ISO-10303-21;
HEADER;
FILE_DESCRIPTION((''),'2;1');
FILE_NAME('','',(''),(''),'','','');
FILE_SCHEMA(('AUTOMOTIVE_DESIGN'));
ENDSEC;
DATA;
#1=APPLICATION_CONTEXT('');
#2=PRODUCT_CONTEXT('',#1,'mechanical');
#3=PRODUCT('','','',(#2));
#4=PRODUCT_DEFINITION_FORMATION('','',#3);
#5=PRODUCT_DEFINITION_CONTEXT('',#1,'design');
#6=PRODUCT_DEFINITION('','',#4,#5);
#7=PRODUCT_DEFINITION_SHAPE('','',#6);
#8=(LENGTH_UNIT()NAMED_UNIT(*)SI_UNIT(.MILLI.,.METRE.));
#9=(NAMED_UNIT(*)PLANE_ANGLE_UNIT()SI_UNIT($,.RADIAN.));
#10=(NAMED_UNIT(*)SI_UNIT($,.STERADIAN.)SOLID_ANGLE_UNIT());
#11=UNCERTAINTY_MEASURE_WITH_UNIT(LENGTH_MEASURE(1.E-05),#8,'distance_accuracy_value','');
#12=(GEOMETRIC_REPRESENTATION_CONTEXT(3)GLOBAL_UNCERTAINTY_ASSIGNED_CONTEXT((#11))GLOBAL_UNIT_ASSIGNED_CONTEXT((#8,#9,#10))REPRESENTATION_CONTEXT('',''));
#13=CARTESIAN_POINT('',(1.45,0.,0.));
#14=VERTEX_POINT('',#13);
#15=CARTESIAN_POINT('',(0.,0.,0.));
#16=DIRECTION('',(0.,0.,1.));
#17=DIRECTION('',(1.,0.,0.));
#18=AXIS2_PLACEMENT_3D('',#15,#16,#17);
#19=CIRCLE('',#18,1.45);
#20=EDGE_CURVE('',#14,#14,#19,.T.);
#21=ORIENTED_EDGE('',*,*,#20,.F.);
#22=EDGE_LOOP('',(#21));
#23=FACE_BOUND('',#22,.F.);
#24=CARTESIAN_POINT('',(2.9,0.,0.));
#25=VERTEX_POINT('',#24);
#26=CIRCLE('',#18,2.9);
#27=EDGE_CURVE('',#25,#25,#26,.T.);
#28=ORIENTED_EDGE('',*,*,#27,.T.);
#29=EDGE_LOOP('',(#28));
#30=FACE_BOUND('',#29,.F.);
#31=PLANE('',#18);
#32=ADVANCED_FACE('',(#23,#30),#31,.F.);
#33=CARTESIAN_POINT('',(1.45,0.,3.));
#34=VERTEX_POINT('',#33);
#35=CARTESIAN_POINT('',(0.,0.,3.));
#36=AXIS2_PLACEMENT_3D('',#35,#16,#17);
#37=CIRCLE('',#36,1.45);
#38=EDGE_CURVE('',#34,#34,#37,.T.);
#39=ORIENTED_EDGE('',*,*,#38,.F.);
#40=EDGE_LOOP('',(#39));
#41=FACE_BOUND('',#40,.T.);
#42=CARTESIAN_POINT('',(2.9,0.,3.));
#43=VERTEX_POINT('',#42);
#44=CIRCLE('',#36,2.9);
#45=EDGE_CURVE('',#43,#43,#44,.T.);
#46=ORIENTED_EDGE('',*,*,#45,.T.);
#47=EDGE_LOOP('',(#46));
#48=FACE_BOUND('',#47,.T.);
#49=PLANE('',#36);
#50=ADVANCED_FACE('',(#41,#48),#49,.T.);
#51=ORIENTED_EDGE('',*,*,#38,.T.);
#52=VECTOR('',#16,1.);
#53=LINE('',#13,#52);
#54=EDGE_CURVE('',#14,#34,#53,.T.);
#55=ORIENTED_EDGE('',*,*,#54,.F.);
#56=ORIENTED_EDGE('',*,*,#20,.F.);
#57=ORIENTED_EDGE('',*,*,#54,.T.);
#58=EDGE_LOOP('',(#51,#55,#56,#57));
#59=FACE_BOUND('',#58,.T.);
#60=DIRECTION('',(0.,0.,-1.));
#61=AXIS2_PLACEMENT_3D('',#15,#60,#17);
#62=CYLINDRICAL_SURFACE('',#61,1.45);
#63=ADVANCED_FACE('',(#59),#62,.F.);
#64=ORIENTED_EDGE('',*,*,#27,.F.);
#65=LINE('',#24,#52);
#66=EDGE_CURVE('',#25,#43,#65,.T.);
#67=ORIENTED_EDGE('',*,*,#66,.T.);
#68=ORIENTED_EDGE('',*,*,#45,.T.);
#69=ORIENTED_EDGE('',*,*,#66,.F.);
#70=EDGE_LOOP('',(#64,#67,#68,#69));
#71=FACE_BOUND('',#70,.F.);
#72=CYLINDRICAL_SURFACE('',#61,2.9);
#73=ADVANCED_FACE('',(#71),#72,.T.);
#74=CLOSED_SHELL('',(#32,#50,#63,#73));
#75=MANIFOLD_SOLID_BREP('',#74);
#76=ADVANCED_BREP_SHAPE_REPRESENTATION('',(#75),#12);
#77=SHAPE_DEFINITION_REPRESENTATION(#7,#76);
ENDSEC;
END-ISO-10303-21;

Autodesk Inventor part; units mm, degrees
ref_plane "YZ Plane" through (0, 0, 0) normal (1, 0, 0) x (0, 1, 0)
ref_plane "XZ Plane" through (0, 0, 0) normal (0, 1, 0) x (-1, 0, 0)
ref_plane "XY Plane" through (0, 0, 0) normal (0, 0, 1) x (1, 0, 0)
sketch "Эскиз1" plane through (0, 0, 0) normal (0, 0, 1) x (1, 0, 0)
  circle A0 centre (0, 0) radius 2.9
  circle A1 centre (0, 0) radius 1.45
  dimension "d0" = 5.8
  dimension "d1" = 2.9
extrude "Выдавливание1" add sketch "Эскиз1" along normal blind 3
properties part number "Втулка между подшипниками рулевого управления"
